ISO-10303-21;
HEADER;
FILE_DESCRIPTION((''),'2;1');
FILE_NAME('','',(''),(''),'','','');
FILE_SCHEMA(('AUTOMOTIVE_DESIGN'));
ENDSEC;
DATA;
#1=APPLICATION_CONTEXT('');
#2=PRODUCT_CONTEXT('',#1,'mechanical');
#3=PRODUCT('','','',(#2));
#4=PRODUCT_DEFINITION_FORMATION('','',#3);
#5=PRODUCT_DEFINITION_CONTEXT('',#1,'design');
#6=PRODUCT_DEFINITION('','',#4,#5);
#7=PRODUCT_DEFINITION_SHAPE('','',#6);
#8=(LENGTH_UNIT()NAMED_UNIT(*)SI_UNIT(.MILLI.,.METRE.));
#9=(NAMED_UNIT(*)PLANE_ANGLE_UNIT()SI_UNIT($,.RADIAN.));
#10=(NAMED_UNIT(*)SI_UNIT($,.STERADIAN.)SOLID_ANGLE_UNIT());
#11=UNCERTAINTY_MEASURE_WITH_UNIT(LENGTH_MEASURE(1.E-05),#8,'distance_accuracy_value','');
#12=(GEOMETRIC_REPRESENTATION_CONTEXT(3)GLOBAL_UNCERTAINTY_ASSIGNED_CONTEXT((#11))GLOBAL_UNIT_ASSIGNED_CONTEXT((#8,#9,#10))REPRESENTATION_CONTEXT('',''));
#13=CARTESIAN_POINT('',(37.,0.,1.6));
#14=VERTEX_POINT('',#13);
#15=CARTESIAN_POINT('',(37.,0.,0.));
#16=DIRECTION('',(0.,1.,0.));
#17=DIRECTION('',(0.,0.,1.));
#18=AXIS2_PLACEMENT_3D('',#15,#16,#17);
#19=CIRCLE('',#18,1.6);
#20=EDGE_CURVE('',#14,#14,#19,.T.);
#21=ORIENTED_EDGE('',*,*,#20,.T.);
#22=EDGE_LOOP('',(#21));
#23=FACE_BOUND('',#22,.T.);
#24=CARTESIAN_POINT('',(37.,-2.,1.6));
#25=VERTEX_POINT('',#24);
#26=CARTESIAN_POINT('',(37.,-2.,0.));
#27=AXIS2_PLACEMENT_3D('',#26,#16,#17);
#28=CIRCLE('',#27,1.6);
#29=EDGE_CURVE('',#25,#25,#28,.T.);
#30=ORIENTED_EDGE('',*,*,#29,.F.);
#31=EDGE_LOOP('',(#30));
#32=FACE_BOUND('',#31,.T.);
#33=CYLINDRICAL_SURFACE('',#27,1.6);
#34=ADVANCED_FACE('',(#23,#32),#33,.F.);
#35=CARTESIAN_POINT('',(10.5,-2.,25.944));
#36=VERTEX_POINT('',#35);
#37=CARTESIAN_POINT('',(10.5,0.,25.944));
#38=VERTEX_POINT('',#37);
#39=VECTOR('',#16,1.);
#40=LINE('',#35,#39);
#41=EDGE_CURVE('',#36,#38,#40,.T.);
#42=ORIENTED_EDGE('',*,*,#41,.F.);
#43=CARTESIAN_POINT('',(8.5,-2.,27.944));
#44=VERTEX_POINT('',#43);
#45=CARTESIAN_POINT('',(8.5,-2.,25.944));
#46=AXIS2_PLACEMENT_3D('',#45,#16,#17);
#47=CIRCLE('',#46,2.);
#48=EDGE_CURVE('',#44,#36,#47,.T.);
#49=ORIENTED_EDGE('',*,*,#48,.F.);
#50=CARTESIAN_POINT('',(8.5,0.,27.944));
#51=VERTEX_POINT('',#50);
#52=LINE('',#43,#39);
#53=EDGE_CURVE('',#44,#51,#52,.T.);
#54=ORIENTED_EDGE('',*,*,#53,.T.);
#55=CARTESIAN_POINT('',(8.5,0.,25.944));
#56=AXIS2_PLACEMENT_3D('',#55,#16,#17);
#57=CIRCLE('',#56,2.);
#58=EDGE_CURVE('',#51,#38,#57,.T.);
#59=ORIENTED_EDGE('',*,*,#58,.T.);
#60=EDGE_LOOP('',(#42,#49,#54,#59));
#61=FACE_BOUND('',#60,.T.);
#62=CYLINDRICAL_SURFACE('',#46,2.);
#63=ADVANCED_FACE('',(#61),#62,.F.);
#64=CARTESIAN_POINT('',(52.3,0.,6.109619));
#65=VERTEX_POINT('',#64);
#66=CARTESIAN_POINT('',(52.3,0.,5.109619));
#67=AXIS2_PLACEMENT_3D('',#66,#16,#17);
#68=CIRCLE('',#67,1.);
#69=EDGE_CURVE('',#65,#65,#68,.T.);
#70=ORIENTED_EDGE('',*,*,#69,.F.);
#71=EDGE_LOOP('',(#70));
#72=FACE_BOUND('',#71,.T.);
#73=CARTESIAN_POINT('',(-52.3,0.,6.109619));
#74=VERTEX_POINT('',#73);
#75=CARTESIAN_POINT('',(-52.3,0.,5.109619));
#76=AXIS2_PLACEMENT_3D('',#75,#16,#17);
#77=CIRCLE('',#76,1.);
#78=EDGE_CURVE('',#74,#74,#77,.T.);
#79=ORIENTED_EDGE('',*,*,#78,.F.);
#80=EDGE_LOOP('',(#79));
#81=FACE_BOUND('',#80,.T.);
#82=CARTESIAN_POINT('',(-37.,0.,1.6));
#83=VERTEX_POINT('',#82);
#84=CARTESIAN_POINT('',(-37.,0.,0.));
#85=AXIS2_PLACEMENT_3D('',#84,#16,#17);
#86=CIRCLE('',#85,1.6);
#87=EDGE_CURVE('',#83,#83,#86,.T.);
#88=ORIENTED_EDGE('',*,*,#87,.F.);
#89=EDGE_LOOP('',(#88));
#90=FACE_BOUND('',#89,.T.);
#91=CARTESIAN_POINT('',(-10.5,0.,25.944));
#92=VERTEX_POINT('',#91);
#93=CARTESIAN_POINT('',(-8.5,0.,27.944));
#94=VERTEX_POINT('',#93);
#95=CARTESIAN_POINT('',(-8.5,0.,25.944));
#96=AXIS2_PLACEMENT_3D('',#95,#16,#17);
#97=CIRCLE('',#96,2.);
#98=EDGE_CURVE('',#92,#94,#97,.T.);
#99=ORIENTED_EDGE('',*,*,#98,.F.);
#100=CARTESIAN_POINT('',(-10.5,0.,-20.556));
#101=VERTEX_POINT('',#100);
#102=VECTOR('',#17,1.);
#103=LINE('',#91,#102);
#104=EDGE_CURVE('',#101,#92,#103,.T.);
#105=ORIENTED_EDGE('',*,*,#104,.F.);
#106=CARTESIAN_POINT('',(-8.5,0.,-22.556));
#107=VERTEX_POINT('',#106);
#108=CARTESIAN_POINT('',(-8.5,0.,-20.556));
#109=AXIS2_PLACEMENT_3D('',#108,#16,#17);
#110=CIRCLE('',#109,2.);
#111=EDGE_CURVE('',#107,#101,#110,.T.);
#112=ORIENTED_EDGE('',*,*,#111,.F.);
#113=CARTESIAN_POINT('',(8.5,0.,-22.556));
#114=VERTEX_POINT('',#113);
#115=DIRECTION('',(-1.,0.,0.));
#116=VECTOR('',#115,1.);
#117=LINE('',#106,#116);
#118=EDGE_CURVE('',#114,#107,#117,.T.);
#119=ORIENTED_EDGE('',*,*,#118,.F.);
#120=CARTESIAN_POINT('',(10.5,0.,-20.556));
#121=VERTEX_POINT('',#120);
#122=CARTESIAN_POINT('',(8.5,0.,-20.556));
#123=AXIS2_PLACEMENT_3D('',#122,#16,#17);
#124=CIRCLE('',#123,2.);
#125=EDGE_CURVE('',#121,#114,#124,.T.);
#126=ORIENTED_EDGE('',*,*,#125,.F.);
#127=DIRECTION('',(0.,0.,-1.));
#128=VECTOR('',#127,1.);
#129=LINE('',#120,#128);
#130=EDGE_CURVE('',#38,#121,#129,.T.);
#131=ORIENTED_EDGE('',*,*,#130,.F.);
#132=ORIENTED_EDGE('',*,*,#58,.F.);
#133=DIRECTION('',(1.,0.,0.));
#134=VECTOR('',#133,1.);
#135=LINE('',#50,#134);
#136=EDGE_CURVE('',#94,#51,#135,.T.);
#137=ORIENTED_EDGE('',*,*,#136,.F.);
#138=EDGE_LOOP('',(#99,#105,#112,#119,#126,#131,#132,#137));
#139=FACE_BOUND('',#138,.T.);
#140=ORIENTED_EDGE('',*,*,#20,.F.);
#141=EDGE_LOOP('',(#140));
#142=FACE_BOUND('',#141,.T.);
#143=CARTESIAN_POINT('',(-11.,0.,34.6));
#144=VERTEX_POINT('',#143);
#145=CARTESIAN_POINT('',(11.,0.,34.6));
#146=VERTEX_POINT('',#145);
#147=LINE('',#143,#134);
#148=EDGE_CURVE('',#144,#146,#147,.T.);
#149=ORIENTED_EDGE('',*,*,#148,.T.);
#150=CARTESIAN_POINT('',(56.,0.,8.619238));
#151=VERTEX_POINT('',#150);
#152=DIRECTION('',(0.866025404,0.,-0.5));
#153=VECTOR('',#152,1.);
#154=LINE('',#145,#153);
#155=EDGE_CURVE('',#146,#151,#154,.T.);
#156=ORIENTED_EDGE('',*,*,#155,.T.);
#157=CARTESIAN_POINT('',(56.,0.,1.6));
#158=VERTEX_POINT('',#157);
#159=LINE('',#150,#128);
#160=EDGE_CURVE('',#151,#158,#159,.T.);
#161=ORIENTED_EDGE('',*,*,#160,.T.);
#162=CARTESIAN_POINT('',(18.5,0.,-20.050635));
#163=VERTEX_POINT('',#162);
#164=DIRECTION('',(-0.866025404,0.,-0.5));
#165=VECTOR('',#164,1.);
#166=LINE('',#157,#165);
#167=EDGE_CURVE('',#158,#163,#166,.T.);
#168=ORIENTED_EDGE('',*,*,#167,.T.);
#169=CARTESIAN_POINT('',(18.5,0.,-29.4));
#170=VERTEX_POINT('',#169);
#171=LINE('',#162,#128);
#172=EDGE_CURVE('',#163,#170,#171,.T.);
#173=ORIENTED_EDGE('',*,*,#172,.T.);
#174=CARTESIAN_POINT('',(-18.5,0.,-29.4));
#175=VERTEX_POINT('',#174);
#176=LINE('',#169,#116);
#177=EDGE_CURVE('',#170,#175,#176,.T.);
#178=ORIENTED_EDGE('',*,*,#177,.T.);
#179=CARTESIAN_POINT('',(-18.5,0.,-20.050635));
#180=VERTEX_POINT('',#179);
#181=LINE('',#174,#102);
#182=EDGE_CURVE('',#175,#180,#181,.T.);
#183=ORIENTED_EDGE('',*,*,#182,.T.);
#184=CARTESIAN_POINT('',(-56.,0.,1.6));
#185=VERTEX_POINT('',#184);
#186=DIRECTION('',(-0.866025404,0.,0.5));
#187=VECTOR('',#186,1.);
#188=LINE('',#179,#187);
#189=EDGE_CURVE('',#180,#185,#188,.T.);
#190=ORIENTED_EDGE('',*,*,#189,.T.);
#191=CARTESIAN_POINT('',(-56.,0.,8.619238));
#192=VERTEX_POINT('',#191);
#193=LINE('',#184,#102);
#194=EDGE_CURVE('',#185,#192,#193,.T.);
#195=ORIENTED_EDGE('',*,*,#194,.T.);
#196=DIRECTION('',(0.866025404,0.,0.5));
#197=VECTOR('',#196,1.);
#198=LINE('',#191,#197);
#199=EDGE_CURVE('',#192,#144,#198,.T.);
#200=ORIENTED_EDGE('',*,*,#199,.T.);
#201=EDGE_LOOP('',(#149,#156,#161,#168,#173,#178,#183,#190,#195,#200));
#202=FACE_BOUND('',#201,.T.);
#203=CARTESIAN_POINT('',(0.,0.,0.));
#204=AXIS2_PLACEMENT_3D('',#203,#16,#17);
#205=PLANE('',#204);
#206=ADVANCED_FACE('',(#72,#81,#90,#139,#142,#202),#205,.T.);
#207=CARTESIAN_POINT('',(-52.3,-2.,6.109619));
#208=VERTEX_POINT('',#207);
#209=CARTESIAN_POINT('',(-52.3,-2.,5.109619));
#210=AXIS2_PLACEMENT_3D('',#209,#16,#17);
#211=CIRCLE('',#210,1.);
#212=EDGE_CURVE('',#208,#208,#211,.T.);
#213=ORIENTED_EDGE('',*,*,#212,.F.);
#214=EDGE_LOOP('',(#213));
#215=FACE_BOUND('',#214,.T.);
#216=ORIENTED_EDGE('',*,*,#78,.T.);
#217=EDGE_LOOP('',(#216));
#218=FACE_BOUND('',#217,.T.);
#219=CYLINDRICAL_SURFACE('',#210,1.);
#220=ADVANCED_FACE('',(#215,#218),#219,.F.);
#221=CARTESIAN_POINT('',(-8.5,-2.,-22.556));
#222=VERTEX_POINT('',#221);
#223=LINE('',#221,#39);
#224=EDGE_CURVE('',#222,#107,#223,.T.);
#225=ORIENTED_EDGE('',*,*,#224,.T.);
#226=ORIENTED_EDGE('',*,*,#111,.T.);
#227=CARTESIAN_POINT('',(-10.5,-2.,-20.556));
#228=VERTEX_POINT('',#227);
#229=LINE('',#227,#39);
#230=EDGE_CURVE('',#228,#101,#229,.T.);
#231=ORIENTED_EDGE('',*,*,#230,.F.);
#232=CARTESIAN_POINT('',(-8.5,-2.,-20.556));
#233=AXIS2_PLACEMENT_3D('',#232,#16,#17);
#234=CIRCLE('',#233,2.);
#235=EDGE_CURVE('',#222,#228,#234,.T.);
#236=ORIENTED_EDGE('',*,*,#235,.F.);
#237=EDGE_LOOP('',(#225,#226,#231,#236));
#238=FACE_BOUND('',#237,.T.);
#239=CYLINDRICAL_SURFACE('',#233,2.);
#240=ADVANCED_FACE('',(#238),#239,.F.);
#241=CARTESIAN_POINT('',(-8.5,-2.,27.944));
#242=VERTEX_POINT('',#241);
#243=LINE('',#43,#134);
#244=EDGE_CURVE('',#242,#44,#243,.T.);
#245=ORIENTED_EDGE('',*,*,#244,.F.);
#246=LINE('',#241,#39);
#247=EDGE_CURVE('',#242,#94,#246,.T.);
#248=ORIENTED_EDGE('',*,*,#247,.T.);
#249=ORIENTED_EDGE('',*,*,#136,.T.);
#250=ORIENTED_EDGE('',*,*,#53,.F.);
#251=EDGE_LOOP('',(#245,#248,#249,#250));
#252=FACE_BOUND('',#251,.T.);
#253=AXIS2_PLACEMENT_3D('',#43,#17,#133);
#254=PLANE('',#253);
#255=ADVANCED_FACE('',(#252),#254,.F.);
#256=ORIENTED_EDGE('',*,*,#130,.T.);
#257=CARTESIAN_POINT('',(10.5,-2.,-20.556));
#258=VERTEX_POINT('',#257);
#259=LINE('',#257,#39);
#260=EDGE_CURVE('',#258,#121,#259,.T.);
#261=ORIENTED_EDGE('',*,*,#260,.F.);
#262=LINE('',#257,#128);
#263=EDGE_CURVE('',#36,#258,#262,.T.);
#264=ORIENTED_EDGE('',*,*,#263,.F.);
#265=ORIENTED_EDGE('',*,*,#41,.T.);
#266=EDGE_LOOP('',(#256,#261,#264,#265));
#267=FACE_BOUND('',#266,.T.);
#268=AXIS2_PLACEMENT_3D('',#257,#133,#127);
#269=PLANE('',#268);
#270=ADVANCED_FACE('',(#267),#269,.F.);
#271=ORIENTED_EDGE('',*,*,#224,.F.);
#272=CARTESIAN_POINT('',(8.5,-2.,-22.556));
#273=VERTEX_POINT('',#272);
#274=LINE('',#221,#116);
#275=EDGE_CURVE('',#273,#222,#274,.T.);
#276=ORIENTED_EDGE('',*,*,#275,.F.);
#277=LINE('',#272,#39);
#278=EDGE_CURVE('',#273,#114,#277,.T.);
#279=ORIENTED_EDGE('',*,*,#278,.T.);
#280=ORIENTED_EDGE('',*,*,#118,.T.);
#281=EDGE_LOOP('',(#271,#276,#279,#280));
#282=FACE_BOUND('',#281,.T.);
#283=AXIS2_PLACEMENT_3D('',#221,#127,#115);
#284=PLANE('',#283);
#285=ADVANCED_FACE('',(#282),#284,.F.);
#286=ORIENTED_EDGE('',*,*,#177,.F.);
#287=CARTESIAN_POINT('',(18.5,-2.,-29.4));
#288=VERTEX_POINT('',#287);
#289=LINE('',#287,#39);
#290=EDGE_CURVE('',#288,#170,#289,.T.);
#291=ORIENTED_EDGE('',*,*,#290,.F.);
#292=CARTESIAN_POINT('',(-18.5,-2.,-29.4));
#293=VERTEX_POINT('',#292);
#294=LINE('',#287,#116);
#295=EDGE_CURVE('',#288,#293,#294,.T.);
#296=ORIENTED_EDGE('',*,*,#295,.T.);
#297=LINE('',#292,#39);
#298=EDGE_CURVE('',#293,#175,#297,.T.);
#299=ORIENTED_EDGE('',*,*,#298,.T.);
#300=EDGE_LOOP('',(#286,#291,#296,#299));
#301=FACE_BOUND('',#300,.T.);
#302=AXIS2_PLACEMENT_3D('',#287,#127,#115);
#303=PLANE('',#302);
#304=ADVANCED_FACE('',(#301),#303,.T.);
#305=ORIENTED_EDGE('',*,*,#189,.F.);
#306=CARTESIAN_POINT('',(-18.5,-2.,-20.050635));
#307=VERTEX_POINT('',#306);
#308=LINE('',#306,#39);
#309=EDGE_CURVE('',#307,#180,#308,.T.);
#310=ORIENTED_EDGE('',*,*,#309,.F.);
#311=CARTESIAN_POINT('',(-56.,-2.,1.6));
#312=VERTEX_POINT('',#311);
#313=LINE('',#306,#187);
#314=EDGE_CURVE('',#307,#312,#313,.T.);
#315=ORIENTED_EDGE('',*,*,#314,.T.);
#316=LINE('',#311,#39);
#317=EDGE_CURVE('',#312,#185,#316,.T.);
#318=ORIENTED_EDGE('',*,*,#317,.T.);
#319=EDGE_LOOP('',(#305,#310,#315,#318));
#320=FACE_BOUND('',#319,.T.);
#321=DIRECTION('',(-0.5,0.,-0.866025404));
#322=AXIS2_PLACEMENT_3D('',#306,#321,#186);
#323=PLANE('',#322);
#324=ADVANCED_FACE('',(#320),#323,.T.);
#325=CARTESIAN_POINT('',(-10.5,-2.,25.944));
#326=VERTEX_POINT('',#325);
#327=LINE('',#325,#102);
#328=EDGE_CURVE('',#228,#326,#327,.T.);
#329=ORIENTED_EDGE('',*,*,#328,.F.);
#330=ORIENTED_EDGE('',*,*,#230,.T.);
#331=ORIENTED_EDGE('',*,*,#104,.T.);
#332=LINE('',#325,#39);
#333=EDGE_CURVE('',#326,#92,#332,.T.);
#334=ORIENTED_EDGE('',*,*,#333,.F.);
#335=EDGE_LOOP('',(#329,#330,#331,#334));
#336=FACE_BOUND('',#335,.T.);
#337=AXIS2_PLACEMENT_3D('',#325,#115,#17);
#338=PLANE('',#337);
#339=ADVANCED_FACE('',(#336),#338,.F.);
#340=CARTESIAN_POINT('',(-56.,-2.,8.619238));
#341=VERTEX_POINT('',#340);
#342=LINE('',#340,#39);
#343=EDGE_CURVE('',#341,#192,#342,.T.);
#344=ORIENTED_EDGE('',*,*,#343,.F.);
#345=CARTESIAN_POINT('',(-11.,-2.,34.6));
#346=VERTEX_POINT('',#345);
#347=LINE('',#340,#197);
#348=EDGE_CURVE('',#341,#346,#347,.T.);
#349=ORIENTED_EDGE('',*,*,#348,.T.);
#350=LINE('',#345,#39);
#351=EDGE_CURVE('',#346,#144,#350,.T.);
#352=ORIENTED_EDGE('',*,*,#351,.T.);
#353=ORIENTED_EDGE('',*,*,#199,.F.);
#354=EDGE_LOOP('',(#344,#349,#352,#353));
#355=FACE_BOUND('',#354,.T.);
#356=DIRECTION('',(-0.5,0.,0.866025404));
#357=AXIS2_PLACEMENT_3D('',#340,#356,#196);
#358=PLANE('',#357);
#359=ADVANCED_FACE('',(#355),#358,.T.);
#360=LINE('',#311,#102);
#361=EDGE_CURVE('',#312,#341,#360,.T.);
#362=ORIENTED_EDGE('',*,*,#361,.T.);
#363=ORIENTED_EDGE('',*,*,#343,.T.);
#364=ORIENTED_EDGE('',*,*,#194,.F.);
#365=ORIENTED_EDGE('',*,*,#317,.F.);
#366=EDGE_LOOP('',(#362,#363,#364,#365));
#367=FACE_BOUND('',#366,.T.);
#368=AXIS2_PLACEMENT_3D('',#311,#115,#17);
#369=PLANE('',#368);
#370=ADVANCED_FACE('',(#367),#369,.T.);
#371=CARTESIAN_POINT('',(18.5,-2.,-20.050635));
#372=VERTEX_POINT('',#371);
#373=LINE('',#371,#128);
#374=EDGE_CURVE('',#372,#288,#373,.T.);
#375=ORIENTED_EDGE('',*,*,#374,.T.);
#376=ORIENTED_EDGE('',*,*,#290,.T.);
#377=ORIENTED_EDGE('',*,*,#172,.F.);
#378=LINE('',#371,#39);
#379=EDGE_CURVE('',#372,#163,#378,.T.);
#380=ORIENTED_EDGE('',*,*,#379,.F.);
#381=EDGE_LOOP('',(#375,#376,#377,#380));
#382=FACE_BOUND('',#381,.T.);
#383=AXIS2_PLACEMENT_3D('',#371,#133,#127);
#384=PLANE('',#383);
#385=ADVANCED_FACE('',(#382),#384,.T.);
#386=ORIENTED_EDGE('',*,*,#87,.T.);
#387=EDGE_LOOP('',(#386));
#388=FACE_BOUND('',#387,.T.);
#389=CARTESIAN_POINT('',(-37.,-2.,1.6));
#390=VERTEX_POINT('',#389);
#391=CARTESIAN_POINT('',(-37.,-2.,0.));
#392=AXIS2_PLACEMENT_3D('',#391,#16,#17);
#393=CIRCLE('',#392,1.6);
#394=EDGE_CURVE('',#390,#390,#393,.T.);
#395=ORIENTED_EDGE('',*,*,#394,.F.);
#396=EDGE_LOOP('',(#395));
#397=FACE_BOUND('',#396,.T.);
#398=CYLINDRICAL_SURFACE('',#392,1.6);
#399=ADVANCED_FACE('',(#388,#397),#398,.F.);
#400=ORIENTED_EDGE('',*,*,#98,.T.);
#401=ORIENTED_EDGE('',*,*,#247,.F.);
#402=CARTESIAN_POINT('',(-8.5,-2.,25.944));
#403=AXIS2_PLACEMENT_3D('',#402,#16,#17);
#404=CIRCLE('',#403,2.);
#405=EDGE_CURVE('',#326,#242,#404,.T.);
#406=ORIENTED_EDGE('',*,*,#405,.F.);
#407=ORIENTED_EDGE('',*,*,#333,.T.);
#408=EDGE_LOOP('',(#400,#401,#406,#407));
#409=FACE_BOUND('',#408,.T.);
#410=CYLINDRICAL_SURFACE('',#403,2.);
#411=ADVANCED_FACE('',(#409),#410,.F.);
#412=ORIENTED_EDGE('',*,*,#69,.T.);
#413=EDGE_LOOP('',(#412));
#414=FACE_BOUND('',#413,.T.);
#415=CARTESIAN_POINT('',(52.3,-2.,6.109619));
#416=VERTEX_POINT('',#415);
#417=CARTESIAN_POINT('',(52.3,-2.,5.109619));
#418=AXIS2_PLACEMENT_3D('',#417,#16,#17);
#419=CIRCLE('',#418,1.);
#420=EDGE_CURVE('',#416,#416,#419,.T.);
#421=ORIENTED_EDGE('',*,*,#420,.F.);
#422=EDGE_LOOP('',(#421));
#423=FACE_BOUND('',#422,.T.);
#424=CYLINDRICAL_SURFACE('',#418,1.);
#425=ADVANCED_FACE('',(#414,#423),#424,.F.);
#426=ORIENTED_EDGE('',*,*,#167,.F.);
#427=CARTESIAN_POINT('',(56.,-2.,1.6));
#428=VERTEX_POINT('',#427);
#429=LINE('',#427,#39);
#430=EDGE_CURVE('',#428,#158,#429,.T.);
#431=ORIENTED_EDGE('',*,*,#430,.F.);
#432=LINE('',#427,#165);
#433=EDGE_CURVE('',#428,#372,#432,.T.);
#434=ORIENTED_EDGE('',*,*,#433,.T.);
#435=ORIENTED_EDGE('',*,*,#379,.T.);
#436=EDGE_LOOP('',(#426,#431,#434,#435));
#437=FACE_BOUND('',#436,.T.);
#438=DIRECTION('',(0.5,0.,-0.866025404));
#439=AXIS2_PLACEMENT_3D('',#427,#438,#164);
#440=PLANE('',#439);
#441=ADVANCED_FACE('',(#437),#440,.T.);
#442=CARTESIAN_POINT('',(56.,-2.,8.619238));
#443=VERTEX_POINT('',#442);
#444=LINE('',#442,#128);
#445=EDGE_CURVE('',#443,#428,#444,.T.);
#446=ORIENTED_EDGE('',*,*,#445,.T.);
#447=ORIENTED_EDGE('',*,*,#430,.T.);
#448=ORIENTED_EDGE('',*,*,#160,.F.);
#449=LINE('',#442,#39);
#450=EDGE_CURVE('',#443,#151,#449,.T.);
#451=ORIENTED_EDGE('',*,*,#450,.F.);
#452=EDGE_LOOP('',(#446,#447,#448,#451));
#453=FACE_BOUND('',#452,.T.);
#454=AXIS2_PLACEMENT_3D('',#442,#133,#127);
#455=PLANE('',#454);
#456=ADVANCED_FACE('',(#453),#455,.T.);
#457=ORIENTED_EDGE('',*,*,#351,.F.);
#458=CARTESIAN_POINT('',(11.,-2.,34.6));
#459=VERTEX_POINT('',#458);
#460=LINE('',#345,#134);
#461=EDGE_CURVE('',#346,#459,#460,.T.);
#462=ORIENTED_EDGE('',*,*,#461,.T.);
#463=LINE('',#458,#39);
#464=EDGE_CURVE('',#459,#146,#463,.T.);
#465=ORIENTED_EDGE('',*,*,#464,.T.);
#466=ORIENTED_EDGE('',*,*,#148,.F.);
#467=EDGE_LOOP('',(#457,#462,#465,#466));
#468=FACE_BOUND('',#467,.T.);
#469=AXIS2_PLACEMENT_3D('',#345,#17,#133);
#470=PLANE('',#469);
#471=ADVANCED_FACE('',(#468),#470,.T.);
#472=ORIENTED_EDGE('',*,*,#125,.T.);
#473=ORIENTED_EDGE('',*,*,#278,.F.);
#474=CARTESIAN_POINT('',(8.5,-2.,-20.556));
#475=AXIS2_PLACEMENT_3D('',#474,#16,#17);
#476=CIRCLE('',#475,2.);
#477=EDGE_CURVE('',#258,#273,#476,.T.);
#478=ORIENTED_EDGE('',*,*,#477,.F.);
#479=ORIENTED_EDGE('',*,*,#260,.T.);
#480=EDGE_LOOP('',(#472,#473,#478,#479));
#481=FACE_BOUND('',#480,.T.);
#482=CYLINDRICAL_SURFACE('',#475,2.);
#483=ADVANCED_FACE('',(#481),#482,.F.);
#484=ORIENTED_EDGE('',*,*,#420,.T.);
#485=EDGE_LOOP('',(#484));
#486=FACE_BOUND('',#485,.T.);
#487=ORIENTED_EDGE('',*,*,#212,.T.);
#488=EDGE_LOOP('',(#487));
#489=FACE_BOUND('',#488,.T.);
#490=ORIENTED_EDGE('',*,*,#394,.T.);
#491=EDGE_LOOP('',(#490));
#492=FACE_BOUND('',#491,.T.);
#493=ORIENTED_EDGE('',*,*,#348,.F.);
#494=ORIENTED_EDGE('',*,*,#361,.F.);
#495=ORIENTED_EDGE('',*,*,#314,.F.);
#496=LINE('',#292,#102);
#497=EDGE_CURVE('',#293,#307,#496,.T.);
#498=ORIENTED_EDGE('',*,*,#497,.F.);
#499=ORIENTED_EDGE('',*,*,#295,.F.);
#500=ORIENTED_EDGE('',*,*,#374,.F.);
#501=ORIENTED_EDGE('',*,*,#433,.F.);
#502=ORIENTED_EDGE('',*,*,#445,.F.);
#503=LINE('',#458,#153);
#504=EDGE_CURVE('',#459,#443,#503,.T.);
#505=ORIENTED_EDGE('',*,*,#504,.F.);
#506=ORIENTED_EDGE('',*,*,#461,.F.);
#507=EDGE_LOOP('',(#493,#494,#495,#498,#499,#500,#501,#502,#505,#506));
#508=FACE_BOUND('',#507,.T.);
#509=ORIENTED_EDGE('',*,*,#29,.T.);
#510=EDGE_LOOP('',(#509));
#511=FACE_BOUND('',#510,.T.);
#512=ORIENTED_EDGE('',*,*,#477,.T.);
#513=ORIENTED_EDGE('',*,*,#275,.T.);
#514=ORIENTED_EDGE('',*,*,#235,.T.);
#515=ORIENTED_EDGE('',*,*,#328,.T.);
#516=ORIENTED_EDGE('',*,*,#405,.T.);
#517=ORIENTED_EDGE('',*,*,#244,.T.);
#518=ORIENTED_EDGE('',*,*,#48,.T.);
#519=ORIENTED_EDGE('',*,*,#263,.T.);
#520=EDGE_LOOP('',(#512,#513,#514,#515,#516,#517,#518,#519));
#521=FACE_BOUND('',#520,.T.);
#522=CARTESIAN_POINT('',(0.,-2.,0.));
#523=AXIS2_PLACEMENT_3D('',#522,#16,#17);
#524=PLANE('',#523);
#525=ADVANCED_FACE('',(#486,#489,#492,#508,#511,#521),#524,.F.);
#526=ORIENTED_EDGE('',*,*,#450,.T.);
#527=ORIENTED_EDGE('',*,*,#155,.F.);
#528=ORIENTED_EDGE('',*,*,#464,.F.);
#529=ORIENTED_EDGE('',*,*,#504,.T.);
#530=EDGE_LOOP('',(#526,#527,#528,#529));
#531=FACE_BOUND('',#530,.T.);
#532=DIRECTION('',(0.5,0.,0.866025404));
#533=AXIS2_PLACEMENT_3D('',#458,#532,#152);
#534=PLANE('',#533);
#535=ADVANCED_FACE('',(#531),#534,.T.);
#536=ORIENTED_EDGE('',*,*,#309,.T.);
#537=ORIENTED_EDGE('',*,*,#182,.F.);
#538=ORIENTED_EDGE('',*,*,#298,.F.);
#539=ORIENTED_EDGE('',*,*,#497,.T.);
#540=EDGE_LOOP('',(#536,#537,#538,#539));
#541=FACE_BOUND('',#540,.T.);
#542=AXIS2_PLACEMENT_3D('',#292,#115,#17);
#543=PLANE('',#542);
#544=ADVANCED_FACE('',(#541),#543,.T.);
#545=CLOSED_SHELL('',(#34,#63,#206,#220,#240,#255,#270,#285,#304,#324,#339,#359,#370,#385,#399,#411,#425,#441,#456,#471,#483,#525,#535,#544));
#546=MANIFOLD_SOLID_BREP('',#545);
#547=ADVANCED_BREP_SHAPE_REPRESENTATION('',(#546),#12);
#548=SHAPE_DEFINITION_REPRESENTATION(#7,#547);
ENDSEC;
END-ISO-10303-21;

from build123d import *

# Parameters (mm, degrees)
SKETCH4_R           = 1
SKETCH4_R_2         = 1.6
BOSS_EXTRUDE1_DEPTH = 2


with BuildPart() as part:
    # Sketch4 → Boss-Extrude1 (new body)
    with BuildSketch(Plane(origin=(0, 0, 0), x_dir=(1, 0, 0), z_dir=(0, 1, 0))):
        Polygon((-56, -1.6), (-56, -8.619237886), (-11, -34.6), (11, -34.6), (56, -8.619237886), (56, -1.6), (18.5, 20.050635095), (18.5, 29.4), (-18.5, 29.4), (-18.5, 20.050635095), align=None)
        with Locations(Location((-52.3, -5.109618943, 0), (0, 0, 270))):
            Circle(SKETCH4_R, mode=Mode.SUBTRACT)
        with Locations(Location((52.3, -5.109618943, 0), (0, 0, 270))):
            Circle(SKETCH4_R, mode=Mode.SUBTRACT)
        with Locations(Location((37, 0, 0), (0, 0, 270))):
            Circle(SKETCH4_R_2, mode=Mode.SUBTRACT)
        with Locations(Location((-37, 0, 0), (0, 0, 270))):
            Circle(SKETCH4_R_2, mode=Mode.SUBTRACT)
        with BuildLine():
            Line((8.5, -27.944), (-8.5, -27.944))
            ThreePointArc((-8.5, -27.944), (-9.914213562, -27.358213562), (-10.5, -25.944))
            Line((-10.5, -25.944), (-10.5, 20.556))
            ThreePointArc((-10.5, 20.556), (-9.914213562, 21.970213562), (-8.5, 22.556))
            Line((-8.5, 22.556), (8.5, 22.556))
            ThreePointArc((8.5, 22.556), (9.914213562, 21.970213562), (10.5, 20.556))
            Line((10.5, 20.556), (10.5, -25.944))
            ThreePointArc((10.5, -25.944), (9.914213562, -27.358213562), (8.5, -27.944))
        make_face(mode=Mode.SUBTRACT)
    extrude(amount=-BOSS_EXTRUDE1_DEPTH)


solid = part.part
